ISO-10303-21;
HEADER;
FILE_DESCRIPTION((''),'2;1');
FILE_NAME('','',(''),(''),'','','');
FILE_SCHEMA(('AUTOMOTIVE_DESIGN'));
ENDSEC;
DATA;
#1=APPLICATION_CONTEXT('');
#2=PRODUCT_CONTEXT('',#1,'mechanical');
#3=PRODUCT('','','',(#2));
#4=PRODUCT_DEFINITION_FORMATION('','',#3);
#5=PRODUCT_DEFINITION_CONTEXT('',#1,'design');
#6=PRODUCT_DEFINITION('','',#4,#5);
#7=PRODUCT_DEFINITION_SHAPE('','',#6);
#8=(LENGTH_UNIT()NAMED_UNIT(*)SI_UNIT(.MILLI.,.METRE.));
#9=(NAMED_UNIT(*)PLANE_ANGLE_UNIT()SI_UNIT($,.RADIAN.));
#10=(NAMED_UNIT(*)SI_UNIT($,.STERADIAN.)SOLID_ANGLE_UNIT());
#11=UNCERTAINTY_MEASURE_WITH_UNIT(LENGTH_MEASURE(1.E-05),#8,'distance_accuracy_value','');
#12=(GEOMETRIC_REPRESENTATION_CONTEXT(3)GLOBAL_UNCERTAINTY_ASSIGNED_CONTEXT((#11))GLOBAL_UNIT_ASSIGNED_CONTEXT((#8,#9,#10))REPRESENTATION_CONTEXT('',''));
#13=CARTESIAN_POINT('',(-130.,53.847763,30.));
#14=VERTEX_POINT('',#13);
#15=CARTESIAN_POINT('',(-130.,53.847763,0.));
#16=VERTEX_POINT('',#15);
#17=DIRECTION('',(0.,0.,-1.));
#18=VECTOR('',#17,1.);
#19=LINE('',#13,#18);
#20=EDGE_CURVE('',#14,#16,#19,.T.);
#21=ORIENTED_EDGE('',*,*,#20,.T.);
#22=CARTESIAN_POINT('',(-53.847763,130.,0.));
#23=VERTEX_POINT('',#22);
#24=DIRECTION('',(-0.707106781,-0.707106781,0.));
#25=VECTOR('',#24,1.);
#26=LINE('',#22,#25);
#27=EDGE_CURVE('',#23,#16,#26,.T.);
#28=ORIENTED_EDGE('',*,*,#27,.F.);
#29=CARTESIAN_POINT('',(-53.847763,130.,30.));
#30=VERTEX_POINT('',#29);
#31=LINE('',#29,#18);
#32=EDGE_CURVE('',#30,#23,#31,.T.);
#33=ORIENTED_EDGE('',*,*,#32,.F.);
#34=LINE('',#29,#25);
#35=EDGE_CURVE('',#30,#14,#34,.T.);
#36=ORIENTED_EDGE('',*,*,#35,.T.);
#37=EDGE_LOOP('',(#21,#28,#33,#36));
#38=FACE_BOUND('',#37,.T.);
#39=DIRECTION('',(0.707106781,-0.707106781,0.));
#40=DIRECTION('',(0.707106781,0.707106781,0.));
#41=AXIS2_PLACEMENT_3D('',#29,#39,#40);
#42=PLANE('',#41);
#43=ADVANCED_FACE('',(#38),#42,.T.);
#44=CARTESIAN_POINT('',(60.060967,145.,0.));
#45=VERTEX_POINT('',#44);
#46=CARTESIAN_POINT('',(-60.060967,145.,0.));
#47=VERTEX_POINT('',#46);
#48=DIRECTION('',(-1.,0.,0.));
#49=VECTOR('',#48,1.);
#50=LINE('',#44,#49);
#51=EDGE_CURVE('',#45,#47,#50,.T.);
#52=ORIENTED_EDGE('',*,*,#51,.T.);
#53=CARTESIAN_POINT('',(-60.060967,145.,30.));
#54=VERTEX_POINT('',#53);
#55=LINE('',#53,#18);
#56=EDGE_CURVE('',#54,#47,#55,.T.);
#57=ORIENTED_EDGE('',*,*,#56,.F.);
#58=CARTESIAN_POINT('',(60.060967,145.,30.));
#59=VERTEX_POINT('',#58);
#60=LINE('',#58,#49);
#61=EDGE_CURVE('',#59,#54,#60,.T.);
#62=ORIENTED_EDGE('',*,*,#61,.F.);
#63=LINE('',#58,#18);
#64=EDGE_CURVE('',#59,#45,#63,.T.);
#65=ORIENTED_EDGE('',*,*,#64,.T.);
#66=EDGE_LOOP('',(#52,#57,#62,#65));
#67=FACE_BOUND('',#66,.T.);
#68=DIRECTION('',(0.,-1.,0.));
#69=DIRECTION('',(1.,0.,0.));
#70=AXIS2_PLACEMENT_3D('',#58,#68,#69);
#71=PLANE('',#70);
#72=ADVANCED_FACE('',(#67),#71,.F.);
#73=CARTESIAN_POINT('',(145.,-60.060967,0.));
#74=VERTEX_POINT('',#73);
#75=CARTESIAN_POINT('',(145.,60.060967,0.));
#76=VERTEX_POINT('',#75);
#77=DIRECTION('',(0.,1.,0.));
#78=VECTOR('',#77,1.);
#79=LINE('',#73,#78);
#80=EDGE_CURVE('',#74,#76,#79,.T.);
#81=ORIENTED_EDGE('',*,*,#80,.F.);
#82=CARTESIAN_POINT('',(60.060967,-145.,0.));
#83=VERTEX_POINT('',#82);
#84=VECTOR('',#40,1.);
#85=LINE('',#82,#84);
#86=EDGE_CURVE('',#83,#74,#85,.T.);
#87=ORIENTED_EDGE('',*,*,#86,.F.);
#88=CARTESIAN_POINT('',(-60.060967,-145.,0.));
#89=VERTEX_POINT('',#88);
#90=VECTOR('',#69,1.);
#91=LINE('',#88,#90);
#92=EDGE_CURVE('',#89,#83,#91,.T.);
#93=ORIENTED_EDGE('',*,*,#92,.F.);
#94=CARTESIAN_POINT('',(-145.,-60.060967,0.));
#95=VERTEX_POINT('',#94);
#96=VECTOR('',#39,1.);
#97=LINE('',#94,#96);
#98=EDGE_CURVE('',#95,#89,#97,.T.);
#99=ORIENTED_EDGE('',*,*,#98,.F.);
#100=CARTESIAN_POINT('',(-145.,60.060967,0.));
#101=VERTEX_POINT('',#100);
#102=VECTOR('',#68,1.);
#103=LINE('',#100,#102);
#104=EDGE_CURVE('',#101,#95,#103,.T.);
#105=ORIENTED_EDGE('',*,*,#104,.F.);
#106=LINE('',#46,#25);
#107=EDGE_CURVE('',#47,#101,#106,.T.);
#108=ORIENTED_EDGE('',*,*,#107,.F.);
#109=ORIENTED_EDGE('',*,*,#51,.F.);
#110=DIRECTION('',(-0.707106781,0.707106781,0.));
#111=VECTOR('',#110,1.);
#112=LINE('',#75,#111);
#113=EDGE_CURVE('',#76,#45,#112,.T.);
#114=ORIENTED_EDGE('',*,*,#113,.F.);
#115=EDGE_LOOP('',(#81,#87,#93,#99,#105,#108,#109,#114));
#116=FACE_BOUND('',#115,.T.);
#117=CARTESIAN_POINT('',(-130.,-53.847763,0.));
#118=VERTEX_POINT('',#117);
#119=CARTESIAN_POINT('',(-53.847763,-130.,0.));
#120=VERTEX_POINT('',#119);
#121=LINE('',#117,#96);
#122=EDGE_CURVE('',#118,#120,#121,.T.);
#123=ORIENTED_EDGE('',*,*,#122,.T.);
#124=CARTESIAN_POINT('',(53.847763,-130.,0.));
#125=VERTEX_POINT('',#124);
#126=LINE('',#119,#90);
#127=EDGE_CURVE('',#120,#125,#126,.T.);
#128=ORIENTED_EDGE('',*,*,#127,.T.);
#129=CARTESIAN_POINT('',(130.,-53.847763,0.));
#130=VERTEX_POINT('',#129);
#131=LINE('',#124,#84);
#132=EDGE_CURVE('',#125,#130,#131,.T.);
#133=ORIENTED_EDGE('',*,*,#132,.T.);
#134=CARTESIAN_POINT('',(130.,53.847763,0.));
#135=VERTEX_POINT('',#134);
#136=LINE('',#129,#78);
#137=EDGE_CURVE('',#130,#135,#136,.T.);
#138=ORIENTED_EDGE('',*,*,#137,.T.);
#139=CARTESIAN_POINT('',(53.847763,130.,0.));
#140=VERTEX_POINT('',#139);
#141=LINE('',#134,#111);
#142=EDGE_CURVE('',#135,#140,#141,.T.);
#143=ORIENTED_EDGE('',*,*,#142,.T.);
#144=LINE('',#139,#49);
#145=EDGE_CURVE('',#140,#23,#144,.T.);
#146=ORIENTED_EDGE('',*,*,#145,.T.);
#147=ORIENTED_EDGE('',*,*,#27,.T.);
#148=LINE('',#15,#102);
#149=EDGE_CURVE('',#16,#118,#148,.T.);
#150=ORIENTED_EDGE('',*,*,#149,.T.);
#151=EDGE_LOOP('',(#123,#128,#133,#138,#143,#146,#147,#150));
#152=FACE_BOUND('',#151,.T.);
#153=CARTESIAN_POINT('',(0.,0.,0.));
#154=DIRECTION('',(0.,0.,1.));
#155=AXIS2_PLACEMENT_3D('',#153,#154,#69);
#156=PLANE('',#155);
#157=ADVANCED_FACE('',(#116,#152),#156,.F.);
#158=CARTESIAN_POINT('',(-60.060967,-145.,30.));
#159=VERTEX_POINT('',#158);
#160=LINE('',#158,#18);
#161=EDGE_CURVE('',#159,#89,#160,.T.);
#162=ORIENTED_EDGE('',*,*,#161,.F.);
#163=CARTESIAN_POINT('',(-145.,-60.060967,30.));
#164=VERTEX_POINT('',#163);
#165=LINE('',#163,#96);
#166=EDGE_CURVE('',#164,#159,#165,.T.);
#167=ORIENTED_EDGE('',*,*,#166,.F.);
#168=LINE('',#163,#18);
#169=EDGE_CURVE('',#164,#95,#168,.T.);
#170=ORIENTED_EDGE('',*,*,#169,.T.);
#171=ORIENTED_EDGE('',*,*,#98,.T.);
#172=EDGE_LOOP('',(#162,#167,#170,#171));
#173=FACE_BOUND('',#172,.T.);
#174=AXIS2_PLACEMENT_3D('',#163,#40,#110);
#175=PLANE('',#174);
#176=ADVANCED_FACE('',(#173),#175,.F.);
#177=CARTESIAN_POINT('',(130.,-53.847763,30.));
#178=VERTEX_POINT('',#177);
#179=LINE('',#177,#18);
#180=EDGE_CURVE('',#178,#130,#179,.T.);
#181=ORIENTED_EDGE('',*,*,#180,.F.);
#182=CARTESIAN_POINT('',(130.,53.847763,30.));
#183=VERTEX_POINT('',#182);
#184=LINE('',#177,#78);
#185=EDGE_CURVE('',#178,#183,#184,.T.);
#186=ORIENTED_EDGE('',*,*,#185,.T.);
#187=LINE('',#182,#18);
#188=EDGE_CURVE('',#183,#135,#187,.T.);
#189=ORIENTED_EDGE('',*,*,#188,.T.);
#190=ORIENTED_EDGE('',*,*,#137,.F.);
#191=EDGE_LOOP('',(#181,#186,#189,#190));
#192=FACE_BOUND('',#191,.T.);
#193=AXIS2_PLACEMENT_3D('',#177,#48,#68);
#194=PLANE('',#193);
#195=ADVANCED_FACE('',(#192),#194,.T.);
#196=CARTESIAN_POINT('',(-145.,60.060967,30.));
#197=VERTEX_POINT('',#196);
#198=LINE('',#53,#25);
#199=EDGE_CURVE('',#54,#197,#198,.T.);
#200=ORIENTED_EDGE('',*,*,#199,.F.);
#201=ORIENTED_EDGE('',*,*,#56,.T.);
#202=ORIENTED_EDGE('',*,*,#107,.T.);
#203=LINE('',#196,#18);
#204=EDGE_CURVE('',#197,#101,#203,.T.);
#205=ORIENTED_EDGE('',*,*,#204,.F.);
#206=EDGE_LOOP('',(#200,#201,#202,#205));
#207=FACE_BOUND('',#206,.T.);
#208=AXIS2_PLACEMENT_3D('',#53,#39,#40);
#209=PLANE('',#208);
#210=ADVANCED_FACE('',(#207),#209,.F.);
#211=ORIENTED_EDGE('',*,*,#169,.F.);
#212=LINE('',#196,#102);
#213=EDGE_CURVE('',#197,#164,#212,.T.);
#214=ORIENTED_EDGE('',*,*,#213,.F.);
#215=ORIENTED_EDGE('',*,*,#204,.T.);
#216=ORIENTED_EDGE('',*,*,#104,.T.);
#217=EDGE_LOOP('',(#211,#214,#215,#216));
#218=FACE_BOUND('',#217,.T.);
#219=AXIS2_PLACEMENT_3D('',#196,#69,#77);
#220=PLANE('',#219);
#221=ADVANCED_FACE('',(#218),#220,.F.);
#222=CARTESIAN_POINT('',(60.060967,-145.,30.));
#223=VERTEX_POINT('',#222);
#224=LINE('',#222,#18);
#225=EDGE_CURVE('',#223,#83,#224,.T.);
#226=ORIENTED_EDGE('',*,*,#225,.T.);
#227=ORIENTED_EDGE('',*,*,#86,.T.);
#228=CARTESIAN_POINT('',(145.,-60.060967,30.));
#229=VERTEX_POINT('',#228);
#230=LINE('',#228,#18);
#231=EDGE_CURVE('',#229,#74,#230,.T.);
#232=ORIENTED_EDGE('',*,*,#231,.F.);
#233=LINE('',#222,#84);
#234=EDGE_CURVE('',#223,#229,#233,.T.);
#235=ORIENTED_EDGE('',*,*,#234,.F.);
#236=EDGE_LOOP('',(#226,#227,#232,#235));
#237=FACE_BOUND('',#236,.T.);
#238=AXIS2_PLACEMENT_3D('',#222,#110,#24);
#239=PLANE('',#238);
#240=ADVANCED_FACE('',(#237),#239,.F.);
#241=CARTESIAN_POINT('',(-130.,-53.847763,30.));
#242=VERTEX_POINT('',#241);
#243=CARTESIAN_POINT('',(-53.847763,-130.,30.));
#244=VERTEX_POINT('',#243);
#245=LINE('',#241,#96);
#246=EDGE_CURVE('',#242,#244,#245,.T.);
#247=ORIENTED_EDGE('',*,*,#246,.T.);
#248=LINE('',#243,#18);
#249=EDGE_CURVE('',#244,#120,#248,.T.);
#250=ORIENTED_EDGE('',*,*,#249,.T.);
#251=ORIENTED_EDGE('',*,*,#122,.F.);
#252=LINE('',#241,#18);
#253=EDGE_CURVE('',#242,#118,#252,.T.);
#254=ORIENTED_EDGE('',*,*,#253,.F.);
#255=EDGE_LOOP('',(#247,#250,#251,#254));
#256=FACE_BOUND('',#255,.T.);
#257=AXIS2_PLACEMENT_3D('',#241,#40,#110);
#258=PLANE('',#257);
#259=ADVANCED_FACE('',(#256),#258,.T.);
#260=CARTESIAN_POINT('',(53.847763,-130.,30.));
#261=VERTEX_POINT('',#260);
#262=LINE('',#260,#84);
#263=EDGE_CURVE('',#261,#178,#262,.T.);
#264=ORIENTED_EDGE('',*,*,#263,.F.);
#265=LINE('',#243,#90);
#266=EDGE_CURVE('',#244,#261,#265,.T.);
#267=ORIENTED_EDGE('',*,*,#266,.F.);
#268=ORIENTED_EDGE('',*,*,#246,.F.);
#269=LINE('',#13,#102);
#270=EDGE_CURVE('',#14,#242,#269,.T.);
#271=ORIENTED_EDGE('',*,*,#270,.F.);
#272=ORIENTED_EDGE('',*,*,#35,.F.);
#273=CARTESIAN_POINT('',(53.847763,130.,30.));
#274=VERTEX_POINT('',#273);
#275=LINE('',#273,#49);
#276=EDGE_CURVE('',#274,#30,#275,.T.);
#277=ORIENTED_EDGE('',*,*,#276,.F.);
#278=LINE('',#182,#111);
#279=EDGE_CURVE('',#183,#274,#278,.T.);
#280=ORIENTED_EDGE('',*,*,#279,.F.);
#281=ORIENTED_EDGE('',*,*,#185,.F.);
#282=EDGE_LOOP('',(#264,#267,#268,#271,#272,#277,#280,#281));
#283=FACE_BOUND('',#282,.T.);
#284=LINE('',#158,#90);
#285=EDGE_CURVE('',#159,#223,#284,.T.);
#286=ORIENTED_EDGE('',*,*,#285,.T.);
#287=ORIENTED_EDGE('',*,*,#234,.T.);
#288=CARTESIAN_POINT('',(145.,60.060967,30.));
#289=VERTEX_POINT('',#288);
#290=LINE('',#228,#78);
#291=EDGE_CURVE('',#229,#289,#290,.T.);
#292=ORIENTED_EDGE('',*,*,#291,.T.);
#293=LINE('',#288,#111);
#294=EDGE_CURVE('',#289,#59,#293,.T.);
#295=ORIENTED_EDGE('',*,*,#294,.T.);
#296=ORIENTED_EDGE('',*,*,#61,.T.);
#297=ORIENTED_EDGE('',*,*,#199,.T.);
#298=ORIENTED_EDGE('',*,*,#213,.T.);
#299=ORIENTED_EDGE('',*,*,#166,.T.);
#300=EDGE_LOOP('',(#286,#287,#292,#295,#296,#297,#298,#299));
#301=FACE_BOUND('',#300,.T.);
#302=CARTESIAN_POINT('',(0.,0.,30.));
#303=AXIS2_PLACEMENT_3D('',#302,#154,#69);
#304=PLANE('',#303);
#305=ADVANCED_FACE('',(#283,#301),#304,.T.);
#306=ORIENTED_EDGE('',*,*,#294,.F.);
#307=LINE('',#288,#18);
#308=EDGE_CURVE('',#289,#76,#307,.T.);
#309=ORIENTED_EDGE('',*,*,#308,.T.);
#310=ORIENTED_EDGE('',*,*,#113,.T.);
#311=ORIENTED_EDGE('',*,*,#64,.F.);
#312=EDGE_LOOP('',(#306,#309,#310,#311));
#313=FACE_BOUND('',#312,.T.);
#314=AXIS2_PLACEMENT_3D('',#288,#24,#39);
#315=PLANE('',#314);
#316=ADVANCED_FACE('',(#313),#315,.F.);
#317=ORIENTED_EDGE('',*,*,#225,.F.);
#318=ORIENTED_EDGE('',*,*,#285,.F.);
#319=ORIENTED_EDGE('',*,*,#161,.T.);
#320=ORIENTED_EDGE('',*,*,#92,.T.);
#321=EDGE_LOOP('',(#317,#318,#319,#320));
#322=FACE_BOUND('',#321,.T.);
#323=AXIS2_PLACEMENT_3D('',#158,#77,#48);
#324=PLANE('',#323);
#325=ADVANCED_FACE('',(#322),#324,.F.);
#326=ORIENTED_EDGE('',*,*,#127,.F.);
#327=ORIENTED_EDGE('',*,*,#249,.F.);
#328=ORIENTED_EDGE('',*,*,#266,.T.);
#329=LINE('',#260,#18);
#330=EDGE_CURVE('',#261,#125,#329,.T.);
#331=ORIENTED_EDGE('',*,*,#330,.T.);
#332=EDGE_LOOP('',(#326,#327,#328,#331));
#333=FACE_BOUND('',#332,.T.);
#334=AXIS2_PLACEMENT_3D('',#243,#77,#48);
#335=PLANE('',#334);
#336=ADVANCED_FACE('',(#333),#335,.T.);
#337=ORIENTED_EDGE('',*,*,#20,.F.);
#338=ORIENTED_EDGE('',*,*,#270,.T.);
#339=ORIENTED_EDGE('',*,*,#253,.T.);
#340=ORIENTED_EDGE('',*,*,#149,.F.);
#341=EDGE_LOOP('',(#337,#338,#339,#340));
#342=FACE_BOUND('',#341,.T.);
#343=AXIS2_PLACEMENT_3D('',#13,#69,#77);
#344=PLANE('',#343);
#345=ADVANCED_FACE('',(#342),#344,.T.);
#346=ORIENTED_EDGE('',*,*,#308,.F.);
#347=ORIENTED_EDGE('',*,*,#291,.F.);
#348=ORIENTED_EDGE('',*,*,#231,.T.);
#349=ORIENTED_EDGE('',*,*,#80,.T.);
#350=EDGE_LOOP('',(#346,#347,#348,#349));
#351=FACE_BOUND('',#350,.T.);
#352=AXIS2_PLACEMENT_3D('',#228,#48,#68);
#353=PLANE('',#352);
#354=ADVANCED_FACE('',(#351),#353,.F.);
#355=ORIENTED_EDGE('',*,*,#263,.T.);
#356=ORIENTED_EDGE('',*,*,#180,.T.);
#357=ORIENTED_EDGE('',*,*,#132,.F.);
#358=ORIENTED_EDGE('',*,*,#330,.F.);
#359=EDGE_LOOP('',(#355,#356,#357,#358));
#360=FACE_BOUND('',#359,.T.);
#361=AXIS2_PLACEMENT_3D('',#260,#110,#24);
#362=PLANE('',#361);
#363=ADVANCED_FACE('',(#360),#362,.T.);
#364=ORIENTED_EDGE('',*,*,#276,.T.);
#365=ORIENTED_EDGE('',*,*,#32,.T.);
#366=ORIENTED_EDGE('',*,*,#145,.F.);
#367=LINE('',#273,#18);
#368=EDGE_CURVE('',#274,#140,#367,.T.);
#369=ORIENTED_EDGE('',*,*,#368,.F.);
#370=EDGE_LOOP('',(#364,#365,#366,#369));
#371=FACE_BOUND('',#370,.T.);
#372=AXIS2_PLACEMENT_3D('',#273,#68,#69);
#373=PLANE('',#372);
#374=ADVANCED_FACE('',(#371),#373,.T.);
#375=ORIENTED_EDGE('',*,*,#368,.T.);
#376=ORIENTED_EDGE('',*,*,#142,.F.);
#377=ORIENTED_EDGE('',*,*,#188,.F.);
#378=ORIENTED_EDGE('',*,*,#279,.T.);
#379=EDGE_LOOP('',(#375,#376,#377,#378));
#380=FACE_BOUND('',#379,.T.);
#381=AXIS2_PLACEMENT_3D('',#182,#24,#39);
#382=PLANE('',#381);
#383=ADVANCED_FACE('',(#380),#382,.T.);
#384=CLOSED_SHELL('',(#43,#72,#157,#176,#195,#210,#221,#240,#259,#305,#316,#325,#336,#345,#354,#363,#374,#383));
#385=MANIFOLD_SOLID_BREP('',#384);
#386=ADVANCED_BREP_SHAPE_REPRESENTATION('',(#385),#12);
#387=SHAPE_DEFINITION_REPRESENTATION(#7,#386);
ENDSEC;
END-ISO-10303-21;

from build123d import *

# Parameters (mm, degrees)
RESSALTO_EXTRUS_O1_DEPTH = 30


with BuildPart() as part:
    # Esboço1 → Ressalto-extrusão1 (new body)
    with BuildSketch(Plane.XY):
        Polygon((145, 60.060966544), (60.060966544, 145), (-60.060966544, 145), (-145, 60.060966544), (-145, -60.060966544), (-60.060966544, -145), (60.060966544, -145), (145, -60.060966544), align=None)
        Polygon((130, 53.847763109), (53.847763109, 130), (-53.847763109, 130), (-130, 53.847763109), (-130, -53.847763109), (-53.847763109, -130), (53.847763109, -130), (130, -53.847763109), align=None, mode=Mode.SUBTRACT)
    extrude(amount=RESSALTO_EXTRUS_O1_DEPTH)


solid = part.part
